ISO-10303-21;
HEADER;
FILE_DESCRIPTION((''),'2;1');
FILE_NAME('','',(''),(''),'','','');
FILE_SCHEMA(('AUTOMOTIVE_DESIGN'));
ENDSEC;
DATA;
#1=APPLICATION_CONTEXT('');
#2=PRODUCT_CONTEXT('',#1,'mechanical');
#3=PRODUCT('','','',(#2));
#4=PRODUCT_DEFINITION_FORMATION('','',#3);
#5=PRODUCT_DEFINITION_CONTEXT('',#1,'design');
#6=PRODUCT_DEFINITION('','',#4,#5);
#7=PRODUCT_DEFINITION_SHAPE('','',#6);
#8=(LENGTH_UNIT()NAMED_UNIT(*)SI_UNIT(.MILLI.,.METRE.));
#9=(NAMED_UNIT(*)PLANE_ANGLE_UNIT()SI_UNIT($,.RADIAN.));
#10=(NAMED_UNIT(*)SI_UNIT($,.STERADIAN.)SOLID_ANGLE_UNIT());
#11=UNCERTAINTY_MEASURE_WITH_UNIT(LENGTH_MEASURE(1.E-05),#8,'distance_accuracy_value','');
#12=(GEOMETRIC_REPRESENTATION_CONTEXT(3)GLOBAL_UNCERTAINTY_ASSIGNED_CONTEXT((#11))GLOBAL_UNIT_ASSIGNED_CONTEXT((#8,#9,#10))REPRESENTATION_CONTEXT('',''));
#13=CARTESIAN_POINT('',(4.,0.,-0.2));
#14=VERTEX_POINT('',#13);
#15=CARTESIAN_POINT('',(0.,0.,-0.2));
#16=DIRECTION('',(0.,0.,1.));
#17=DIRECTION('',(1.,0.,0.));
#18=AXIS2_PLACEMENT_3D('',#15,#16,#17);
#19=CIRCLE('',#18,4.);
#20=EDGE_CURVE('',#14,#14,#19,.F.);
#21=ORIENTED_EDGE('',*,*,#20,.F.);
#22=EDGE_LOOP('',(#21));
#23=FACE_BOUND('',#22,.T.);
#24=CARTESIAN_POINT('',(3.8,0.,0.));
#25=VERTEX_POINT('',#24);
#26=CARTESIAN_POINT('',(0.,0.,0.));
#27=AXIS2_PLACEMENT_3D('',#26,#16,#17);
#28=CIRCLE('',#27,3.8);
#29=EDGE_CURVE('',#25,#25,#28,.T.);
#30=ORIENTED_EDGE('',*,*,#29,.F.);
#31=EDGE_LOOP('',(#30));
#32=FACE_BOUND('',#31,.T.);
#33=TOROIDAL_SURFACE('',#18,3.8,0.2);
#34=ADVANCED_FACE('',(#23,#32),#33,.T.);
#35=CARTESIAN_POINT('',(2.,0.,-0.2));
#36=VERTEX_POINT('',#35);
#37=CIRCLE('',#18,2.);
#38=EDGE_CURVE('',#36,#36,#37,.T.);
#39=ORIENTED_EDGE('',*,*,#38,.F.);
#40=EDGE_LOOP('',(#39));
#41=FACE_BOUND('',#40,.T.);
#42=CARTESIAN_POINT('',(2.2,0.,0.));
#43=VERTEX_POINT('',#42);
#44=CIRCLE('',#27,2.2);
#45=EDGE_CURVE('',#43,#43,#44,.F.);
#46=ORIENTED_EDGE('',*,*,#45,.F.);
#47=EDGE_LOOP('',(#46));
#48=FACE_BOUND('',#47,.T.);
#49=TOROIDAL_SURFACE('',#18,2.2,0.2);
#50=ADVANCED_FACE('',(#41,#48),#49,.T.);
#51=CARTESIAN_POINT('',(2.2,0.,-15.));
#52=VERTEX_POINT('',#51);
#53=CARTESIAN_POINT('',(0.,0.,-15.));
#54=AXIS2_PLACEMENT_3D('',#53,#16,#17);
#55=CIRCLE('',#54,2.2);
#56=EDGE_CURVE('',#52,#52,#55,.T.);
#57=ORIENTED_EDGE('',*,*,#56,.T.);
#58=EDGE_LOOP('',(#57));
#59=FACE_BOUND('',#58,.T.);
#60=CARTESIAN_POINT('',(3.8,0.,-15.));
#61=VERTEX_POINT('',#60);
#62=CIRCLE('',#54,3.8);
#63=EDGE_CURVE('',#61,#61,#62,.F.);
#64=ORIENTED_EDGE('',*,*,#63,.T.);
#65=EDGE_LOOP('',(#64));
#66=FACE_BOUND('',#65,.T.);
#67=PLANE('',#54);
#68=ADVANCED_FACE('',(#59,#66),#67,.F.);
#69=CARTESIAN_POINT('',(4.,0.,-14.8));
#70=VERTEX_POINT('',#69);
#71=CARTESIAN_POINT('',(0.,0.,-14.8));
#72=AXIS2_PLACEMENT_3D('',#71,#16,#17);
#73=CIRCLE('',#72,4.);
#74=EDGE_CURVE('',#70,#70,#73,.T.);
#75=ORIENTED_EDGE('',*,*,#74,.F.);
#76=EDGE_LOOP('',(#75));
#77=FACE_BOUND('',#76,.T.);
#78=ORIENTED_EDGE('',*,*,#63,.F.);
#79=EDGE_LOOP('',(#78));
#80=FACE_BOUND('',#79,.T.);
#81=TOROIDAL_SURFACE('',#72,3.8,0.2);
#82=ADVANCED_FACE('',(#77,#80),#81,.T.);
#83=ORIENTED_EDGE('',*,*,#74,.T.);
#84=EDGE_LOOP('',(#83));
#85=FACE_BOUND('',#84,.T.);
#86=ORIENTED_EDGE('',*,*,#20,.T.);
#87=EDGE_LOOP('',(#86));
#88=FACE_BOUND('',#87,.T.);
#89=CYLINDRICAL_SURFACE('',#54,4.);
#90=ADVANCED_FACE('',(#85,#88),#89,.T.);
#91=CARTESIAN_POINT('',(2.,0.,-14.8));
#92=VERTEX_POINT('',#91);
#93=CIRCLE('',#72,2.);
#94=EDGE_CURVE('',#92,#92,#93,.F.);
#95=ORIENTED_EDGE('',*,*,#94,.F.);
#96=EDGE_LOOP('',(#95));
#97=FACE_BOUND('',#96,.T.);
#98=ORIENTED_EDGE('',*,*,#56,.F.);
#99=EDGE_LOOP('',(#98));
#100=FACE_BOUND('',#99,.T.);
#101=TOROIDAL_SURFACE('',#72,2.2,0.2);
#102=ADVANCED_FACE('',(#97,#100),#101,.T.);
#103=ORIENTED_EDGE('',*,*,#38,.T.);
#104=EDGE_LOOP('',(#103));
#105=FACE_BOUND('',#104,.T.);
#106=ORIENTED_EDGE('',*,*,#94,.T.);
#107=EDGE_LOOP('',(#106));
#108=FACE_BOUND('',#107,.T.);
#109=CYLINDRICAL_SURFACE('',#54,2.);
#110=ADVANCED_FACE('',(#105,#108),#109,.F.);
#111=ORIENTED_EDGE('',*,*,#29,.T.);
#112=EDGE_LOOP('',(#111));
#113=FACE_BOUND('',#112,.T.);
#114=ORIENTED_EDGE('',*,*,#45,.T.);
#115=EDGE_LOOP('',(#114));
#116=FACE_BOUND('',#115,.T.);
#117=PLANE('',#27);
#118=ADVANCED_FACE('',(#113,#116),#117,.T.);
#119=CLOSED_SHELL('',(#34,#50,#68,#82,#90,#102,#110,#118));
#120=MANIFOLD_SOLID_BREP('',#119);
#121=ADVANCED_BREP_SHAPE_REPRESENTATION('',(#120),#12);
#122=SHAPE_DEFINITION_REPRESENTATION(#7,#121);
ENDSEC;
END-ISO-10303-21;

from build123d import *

# Parameters (mm, degrees)
SKETCH_1_R      = 4
SKETCH_1_R_2    = 2
EXTRUDE_1_DEPTH = 15
FILLET_1_R      = 0.2


with BuildPart() as part:
    # 草图1 → 凸台-拉伸1 (new body)
    with BuildSketch(Plane.XY):
        Circle(SKETCH_1_R)
        Circle(SKETCH_1_R_2, mode=Mode.SUBTRACT)
    extrude(amount=-EXTRUDE_1_DEPTH)

    # 圆角1
    fillet_1_edges = [part.edges().sort_by_distance(p)[0] for p in [
        (-4, 0, 0),
        (-4, 0, -15),
        (-2, 0, -15),
        (-2, 0, 0),
    ]]
    fillet(fillet_1_edges, radius=FILLET_1_R)


solid = part.part
